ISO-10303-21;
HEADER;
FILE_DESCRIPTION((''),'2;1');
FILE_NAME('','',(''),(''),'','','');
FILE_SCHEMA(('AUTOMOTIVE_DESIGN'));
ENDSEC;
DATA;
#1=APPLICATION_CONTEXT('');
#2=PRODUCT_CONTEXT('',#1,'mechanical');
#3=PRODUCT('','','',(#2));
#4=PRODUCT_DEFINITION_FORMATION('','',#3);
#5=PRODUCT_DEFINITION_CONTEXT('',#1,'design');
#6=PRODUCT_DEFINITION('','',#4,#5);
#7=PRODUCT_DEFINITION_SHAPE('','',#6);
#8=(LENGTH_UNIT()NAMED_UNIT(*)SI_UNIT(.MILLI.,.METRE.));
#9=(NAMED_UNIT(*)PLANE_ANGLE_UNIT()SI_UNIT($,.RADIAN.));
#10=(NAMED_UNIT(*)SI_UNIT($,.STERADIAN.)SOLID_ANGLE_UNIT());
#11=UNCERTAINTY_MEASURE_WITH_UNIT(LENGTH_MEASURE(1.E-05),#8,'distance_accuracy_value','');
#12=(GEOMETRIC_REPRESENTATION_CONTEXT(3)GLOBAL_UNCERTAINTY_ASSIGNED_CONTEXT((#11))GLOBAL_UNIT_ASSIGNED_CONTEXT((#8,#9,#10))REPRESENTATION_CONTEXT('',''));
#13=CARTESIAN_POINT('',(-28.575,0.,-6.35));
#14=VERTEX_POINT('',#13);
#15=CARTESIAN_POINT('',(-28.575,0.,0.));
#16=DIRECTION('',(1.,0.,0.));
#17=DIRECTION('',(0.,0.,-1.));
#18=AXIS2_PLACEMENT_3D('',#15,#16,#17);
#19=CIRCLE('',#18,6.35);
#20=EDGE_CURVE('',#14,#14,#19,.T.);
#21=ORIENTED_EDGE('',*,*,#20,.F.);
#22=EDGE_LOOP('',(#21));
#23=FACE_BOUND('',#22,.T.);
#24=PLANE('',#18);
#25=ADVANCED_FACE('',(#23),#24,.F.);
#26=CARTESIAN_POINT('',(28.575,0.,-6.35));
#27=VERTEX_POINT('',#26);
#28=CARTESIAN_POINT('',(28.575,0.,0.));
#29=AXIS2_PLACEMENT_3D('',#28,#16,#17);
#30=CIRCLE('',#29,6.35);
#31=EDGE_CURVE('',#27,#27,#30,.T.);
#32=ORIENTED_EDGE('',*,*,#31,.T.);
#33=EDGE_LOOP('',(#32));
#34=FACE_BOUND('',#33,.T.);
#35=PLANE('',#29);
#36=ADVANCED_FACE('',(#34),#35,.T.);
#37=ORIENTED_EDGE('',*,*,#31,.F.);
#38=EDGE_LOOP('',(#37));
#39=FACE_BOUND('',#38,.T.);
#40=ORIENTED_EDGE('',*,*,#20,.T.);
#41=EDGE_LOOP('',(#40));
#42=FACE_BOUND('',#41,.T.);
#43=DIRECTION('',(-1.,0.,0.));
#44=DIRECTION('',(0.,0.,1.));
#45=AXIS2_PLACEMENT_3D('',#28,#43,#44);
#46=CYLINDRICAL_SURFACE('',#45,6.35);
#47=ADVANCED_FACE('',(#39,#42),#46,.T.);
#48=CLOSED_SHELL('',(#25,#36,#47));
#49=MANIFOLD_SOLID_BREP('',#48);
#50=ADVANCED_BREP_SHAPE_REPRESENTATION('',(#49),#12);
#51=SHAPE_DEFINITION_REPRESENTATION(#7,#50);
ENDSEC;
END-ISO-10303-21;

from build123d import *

# Parameters (mm, degrees)
SKETCH1_R           = 6.35
BOSS_EXTRUDE1_DEPTH = 28.575


with BuildPart() as part:
    # Sketch1 → Boss-Extrude1 (new, symmetric)
    with BuildSketch(Plane(origin=(0, 0, 0), x_dir=(0, 0, -1), z_dir=(1, 0, 0))):
        Circle(SKETCH1_R)
    extrude(amount=BOSS_EXTRUDE1_DEPTH, both=True)


solid = part.part
